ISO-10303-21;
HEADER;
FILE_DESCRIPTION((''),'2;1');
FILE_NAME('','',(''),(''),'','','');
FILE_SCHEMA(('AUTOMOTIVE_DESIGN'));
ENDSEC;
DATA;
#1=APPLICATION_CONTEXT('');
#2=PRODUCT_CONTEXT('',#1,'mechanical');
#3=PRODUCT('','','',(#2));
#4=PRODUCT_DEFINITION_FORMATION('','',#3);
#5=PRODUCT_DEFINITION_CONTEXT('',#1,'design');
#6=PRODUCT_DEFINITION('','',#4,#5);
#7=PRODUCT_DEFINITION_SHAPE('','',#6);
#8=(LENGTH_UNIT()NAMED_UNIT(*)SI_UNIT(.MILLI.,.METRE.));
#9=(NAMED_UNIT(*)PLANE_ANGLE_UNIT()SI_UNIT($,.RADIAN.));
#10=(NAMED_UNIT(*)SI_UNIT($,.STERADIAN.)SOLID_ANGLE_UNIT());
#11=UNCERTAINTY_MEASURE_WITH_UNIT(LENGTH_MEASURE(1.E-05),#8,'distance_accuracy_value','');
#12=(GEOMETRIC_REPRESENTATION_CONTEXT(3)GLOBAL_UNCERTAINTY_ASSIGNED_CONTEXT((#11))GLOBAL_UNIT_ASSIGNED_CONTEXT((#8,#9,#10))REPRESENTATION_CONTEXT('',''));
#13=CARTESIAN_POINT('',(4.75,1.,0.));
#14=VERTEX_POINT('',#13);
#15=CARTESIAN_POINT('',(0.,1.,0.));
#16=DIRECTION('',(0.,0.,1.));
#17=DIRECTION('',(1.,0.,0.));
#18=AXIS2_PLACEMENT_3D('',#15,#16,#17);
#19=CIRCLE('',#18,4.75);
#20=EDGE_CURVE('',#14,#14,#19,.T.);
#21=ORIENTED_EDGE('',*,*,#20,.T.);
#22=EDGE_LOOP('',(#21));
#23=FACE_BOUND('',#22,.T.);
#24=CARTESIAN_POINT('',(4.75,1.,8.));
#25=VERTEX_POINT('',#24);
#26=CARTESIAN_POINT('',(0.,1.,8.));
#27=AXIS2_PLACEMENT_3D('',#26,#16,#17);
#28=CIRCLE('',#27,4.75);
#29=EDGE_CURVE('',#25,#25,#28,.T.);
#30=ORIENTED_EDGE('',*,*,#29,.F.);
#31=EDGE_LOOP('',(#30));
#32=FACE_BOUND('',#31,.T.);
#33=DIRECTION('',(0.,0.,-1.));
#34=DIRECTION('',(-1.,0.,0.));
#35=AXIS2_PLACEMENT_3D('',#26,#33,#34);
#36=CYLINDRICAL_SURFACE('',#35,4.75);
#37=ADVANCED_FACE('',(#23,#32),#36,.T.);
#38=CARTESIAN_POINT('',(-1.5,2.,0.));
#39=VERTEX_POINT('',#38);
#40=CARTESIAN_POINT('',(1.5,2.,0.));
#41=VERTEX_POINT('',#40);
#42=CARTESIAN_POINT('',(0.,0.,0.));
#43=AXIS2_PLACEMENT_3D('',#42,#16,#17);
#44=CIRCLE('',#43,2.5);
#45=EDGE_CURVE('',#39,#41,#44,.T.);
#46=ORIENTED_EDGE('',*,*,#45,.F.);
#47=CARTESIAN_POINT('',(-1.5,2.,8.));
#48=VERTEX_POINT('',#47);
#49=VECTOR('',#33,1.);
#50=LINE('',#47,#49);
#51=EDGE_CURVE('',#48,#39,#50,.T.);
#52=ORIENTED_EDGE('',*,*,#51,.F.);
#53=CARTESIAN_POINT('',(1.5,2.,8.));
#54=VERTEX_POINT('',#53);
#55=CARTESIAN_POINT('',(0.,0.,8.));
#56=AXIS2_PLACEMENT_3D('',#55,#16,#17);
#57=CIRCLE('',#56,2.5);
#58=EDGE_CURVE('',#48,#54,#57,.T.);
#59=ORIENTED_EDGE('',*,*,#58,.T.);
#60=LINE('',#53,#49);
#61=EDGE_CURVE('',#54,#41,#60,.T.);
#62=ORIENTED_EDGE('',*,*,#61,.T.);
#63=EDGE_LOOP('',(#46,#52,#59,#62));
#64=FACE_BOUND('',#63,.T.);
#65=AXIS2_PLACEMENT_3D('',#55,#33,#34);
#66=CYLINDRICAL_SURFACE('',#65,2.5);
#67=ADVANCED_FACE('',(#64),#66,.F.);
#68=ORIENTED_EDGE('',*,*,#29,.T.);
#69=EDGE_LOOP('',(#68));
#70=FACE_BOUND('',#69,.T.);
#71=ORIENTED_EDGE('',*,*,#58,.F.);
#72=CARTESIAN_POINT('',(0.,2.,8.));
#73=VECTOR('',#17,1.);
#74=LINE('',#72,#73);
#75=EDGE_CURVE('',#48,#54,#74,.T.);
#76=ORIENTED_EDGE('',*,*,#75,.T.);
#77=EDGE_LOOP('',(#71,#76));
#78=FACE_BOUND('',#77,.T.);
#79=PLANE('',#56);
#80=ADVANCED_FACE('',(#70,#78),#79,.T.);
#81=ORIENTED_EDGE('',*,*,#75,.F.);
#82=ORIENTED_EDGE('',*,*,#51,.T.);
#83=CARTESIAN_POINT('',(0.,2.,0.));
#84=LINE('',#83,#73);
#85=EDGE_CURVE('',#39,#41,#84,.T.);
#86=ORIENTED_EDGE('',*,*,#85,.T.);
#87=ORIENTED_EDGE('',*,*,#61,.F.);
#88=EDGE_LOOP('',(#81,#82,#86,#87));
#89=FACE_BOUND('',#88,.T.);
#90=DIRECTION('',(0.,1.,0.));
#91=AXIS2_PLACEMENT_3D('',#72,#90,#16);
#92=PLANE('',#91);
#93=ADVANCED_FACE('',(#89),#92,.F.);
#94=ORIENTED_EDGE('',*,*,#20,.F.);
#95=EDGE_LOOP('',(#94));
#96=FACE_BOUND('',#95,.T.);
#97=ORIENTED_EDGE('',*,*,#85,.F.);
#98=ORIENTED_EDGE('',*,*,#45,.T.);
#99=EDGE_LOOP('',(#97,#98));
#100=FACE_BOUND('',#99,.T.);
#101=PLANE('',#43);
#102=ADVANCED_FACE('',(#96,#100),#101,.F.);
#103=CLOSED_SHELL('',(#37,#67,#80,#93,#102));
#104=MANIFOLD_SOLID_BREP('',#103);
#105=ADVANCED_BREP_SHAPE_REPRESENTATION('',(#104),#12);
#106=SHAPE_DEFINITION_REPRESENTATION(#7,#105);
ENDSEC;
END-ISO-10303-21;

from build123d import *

# Parameters (mm, degrees)
ESQUISSE1_R        = 4.75
BOSS_EXTRU_1_DEPTH = 8


with BuildPart() as part:
    # Esquisse1 → Boss.-Extru.1 (new body)
    with BuildSketch(Plane.XY):
        with Locations((0, 1)):
            Circle(ESQUISSE1_R)
        with BuildLine():
            Line((-1.5, 2), (1.5, 2))
            ThreePointArc((1.5, 2), (0, -2.5), (-1.5, 2))
        make_face(mode=Mode.SUBTRACT)
    extrude(amount=BOSS_EXTRU_1_DEPTH)


solid = part.part
